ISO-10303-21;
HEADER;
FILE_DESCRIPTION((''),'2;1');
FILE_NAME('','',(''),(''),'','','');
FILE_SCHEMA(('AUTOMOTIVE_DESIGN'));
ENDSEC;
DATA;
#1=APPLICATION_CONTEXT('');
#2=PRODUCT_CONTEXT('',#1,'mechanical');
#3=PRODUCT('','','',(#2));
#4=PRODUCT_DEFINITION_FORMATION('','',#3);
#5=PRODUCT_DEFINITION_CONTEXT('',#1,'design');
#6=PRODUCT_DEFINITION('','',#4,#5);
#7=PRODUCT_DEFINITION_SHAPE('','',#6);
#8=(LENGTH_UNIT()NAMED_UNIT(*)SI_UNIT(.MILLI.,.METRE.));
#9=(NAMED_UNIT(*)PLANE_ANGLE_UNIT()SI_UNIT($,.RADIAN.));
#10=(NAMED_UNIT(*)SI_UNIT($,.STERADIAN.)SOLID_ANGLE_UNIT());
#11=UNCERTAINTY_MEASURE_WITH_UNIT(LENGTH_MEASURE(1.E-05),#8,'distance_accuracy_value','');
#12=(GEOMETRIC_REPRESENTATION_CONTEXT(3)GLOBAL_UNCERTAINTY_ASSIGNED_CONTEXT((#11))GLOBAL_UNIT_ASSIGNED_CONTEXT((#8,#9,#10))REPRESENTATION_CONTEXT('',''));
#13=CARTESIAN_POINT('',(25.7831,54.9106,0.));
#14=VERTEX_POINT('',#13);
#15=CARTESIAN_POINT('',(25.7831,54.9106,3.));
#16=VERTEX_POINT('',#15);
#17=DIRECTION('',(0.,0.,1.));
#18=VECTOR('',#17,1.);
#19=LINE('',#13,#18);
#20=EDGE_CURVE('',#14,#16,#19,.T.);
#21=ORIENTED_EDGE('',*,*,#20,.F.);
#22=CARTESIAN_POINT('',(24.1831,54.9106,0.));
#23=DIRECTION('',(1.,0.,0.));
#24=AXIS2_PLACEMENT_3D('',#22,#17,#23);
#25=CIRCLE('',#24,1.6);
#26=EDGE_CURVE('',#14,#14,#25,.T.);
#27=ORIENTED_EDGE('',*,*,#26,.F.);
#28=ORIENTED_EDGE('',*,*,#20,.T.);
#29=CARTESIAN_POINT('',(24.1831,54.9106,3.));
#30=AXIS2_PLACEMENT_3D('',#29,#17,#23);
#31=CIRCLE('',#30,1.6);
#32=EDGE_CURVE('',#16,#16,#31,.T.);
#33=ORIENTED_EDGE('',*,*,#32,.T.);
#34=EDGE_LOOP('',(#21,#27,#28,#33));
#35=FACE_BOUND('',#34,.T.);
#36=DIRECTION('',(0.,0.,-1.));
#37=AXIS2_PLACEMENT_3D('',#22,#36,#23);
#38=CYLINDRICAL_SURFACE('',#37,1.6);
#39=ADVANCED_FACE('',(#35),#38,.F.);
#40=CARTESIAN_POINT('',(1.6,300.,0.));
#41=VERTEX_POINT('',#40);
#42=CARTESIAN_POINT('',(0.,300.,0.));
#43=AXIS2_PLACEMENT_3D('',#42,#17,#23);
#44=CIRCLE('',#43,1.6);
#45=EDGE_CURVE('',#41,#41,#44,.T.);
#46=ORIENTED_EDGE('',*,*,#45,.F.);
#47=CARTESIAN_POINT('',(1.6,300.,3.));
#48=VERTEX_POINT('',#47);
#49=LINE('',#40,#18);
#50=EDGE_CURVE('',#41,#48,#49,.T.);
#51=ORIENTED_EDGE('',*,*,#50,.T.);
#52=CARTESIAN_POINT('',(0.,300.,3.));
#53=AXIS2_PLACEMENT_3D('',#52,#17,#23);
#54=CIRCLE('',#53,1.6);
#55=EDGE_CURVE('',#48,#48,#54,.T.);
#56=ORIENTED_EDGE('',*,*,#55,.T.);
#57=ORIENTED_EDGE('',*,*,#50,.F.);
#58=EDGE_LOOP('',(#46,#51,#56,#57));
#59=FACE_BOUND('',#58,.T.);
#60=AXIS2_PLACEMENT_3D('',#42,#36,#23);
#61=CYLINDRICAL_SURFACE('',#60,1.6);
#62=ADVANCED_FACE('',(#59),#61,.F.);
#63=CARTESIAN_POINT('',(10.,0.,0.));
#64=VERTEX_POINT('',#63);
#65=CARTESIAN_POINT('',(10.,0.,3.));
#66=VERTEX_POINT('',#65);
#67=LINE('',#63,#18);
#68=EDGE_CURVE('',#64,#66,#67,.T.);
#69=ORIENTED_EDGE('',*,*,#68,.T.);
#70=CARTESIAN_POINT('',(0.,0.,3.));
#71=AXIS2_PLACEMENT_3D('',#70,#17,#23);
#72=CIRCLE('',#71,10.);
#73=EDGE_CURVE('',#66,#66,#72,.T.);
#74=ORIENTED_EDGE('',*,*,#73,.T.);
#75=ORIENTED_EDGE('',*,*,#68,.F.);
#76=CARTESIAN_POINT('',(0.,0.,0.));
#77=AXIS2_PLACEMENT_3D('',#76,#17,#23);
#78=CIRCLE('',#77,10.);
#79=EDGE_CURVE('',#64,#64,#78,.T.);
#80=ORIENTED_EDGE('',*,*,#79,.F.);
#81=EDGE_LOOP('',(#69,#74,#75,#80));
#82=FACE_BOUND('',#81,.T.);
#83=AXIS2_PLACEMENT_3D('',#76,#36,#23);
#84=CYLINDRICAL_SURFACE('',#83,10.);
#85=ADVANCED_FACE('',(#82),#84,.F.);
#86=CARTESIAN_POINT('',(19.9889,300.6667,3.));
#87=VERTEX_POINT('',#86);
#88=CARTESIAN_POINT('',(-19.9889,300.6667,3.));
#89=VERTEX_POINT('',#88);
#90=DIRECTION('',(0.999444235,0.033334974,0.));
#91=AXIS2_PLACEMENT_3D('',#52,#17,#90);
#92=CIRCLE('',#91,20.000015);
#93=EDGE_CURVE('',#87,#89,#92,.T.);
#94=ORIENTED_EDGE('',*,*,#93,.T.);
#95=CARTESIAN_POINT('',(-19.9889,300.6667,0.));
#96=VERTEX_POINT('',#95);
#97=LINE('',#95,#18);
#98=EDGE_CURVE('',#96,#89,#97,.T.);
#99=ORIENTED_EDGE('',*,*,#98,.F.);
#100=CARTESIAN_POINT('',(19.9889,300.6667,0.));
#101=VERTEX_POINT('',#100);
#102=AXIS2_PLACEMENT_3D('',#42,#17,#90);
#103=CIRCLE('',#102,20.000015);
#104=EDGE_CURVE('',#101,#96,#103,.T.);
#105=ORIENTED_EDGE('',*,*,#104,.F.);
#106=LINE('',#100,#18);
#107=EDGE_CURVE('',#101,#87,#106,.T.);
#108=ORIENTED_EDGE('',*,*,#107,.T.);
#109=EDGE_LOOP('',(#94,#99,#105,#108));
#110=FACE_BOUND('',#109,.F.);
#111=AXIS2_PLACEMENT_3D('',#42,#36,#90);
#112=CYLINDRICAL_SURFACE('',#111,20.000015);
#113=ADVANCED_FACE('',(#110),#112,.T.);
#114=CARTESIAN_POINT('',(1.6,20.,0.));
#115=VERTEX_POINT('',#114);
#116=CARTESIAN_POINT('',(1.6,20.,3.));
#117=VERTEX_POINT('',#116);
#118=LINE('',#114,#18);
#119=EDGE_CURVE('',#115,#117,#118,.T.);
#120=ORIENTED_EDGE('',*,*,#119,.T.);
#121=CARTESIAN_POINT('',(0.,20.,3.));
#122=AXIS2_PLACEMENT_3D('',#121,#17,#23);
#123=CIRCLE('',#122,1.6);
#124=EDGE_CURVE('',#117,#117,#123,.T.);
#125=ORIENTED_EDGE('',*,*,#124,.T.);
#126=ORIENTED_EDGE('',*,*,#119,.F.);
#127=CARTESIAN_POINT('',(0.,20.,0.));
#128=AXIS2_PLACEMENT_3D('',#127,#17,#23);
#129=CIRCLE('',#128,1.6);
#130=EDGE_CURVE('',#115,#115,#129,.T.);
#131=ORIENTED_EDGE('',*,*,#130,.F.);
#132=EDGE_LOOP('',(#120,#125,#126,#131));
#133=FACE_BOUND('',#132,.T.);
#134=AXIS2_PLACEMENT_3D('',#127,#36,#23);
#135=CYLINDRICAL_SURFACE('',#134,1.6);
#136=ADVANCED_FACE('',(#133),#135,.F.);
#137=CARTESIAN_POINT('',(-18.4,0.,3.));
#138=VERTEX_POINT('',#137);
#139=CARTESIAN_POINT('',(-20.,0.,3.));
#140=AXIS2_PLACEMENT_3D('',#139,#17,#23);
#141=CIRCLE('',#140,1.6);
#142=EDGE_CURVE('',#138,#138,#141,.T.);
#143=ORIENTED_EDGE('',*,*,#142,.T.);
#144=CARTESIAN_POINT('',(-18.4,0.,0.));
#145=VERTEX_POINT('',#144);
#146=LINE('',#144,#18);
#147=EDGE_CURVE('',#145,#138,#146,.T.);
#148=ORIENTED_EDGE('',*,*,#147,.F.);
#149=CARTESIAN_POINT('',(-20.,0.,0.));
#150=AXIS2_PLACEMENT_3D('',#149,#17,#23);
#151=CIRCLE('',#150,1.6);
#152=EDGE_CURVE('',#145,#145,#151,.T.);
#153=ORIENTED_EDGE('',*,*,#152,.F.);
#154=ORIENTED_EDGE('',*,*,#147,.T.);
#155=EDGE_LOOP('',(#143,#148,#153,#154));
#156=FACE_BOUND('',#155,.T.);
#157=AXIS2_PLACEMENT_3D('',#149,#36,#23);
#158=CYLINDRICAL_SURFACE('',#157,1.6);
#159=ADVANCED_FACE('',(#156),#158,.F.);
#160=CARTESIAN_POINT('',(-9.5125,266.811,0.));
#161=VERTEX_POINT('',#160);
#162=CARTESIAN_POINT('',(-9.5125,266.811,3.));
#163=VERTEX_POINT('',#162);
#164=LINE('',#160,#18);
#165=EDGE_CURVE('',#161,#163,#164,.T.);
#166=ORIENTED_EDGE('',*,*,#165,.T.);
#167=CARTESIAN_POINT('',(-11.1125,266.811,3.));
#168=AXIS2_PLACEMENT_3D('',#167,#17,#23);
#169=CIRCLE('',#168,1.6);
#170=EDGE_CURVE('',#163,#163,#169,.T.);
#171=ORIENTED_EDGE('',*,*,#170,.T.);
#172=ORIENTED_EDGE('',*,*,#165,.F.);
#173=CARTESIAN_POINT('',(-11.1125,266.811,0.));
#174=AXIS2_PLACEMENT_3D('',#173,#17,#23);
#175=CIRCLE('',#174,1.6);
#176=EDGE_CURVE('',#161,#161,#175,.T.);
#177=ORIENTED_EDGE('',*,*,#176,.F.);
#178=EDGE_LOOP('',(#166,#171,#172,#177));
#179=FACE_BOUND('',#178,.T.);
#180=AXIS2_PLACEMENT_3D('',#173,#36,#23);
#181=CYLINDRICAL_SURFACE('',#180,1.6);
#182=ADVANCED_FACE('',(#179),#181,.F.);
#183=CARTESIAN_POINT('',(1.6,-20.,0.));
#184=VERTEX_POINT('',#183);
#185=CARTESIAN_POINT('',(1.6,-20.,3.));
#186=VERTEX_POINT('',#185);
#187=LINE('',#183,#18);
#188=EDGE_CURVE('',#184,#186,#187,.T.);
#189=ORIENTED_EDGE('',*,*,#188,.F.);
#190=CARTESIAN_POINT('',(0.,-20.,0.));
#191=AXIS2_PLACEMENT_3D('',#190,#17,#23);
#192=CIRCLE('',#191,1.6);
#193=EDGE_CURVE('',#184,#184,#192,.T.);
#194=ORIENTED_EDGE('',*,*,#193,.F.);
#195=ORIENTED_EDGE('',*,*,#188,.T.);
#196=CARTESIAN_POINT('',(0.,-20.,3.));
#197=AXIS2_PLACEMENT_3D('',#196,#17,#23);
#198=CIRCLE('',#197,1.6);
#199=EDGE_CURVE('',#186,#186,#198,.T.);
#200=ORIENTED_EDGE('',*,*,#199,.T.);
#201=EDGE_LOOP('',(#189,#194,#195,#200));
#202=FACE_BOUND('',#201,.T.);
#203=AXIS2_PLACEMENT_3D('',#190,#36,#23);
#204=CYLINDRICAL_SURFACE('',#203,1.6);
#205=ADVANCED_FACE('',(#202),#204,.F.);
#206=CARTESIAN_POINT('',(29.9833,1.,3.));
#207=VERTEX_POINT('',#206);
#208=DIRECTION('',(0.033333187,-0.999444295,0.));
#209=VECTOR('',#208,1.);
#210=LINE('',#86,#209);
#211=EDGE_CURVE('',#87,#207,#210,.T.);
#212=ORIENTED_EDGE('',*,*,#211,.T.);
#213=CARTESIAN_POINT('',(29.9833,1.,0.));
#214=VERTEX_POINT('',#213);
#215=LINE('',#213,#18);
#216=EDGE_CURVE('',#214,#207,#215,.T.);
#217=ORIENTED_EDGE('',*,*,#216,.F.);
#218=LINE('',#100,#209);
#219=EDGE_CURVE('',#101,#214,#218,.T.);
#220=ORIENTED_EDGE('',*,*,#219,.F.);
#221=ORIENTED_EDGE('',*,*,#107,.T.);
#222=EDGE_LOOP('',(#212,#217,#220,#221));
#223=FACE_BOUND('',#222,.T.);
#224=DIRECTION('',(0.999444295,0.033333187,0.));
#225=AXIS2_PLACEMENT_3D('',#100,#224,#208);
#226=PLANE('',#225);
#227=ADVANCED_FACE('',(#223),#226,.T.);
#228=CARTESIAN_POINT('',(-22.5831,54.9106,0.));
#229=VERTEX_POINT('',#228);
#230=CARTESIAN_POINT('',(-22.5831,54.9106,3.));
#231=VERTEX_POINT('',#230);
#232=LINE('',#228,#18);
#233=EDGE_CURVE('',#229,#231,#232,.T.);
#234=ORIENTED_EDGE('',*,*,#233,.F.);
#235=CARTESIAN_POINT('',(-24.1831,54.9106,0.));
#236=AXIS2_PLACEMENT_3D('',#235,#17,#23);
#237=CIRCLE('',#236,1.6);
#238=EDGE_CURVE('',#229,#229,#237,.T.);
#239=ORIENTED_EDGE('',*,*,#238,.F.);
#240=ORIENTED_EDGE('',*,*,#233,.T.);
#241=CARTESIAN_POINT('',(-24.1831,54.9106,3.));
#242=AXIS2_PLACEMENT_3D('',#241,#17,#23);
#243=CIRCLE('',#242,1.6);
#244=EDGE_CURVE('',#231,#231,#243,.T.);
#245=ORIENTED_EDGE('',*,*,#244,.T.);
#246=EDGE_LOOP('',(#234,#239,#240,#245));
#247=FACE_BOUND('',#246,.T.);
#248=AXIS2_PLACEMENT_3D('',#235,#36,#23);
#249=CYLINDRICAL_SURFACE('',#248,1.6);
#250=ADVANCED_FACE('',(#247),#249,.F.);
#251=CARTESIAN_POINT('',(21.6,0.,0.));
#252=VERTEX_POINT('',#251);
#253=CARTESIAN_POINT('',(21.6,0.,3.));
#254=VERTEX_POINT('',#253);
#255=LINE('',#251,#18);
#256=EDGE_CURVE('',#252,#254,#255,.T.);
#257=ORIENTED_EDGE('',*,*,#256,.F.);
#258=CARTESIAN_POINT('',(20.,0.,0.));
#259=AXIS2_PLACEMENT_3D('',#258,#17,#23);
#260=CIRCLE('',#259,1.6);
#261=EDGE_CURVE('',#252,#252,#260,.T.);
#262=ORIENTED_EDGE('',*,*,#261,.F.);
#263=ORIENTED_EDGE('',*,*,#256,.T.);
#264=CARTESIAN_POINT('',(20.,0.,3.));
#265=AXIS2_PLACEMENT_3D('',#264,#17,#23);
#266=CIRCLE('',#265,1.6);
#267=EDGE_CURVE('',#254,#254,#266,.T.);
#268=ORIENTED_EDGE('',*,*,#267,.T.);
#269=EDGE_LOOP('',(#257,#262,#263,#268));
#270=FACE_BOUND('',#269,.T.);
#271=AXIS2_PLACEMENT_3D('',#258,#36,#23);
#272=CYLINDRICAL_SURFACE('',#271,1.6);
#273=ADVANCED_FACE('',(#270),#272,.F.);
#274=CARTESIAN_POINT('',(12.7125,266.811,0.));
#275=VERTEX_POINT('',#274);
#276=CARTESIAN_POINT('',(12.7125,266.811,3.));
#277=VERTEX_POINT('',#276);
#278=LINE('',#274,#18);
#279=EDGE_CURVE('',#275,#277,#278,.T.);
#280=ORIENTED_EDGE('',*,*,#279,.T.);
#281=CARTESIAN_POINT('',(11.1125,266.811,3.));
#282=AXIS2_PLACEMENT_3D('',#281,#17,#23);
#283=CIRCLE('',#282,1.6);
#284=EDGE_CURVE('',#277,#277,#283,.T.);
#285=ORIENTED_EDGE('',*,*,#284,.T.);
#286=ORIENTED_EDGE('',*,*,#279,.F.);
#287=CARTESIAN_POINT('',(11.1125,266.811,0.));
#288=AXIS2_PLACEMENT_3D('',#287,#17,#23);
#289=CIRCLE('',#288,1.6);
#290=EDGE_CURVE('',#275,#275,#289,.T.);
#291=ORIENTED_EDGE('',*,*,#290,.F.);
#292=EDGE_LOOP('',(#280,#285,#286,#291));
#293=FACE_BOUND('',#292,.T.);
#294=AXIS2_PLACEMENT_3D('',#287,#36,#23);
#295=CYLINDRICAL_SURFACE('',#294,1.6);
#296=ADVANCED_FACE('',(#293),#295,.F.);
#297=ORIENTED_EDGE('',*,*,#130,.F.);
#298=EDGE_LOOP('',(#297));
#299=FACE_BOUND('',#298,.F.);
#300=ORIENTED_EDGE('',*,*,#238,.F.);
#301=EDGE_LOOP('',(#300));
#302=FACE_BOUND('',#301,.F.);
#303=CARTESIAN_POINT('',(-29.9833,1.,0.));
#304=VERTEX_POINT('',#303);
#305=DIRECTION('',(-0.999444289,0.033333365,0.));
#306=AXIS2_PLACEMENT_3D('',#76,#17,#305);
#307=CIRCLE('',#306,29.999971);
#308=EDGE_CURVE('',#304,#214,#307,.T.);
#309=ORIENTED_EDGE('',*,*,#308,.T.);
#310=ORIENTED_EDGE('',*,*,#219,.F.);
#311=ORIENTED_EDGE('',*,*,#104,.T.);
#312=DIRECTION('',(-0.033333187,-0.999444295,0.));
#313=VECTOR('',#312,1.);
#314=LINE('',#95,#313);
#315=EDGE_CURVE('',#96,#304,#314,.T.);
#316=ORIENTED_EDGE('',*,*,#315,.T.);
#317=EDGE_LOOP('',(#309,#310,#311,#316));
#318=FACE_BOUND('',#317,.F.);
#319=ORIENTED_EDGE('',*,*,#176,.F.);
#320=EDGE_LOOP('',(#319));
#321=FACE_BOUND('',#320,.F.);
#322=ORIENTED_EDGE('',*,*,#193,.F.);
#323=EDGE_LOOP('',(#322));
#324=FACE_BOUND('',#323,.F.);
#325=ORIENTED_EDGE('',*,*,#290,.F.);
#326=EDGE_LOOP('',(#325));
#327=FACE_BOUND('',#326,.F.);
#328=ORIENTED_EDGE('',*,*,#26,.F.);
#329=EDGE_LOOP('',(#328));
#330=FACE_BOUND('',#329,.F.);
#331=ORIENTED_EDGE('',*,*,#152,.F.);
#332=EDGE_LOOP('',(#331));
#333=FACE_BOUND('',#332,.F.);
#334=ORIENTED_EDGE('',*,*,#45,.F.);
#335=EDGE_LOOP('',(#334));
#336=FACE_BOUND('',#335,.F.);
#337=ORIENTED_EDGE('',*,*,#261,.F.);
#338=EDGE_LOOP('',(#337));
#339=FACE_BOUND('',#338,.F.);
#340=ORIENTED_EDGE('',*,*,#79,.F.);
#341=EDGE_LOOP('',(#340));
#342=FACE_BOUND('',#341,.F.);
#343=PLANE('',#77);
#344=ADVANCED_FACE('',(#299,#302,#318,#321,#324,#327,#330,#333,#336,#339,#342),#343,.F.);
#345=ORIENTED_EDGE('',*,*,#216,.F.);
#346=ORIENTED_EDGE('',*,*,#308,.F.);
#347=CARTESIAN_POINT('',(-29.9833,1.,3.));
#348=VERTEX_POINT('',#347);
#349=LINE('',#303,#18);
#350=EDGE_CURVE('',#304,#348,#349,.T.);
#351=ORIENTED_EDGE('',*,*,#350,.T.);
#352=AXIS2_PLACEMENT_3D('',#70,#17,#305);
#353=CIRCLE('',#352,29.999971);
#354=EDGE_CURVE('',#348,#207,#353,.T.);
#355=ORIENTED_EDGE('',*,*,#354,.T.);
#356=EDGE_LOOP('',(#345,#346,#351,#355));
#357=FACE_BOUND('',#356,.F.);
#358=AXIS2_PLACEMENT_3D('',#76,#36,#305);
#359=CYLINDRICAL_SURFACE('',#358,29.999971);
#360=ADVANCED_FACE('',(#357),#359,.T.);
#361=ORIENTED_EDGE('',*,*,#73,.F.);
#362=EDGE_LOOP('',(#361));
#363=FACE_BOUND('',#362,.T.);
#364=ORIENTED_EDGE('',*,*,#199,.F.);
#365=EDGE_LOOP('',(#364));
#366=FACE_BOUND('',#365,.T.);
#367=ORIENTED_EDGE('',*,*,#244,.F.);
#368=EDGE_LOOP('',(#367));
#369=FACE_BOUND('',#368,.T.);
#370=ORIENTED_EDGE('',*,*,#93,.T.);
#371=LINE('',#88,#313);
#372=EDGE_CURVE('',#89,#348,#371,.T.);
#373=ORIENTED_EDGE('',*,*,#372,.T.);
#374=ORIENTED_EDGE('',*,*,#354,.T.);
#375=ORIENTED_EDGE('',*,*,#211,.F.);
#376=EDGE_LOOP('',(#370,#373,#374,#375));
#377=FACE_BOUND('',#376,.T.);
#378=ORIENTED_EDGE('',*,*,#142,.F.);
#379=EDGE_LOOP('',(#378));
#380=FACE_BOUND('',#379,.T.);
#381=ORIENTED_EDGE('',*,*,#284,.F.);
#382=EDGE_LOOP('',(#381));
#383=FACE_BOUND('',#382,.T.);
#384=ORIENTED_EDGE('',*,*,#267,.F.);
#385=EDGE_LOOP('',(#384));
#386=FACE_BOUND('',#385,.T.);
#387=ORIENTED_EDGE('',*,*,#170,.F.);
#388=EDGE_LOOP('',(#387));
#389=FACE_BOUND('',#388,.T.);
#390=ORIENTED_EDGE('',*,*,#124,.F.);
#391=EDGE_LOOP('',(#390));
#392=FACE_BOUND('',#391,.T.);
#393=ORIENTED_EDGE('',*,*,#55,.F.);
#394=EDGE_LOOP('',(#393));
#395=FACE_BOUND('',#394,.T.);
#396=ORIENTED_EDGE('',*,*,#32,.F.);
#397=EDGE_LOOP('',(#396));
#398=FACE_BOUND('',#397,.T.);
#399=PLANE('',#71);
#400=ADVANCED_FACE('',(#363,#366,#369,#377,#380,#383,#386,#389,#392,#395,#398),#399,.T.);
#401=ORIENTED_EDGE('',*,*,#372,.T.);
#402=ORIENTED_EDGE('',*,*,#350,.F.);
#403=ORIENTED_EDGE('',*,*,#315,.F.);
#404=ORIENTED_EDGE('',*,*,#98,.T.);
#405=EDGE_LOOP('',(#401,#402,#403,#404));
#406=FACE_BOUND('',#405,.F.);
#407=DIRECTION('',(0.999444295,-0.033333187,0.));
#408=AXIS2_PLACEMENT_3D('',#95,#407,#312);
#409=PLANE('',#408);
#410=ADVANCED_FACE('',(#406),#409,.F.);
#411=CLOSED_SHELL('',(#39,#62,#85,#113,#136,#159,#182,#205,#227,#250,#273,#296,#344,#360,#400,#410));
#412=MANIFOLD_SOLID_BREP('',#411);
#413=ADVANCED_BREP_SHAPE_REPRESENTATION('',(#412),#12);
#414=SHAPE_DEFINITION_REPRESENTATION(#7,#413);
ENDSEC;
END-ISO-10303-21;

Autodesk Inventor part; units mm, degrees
ref_plane "YZ Plane" through (0, 0, 0) normal (1, 0, 0) x (0, 1, 0)
ref_plane "XZ Plane" through (0, 0, 0) normal (0, 1, 0) x (-1, 0, 0)
ref_plane "XY Plane" through (0, 0, 0) normal (0, 0, 1) x (1, 0, 0)
sketch "スケッチ1" plane through (0, 0, 0) normal (0, 0, 1) x (1, 0, 0)
  circle A0 centre (0, 0) radius 10
  circle A1 centre (0, 300) radius 1.6
  circle A2 centre (0, 0) radius 20 construction
  circle A3 centre (0, 20) radius 1.6
  circle A4 centre (20, 0) radius 1.6
  circle A5 centre (0, -20) radius 1.6
  circle A6 centre (-20, 0) radius 1.6
  arc A7 (19.9889, 300.6667) -> (-19.9889, 300.6667) centre (0, 300) ccw
  arc A8 (-29.9833, 1) -> (29.9833, 1) centre (0, 0) ccw
  line L0 (-19.9889, 300.6667) -> (-29.9833, 1)
  line L1 (19.9889, 300.6667) -> (29.9833, 1)
  circle A9 centre (0, 300) radius 35 construction
  circle A10 centre (0, 0) radius 60 construction
  circle A11 centre (-24.1831, 54.9106) radius 1.6
  circle A12 centre (24.1831, 54.9106) radius 1.6
  circle A13 centre (-11.1125, 266.811) radius 1.6
  circle A14 centre (11.1125, 266.811) radius 1.6
  circle A15 centre (0, 0) radius 13 construction
  circle A16 centre (0, 300) radius 25 construction
  line L2 (-24.98, 299) -> (-12.9896, -0.52) construction
  dimension "d20" = 26
  dimension "d21" = 50
  dimension "d0" = 20
  dimension "d1" = 3.2
  dimension "d2" = 300
  dimension "d3" = 40
  dimension "d4" = 3.2
  dimension "d5" = 3.2
  dimension "d6" = 3.2
  dimension "d7" = 3.2
  dimension "d8" = 20
  dimension "d9" = 30
  dimension "d10" = 70
  dimension "d11" = 120
  dimension "d12" = 3.2
  dimension "d13" = 3.2
  dimension "d14" = 3.2
  dimension "d15" = 3.2
  dimension "d16" = 10
  dimension "d17" = 4
extrude "押し出し1" add sketch "スケッチ1" along normal blind 3
properties part number "関節2_側板1"
